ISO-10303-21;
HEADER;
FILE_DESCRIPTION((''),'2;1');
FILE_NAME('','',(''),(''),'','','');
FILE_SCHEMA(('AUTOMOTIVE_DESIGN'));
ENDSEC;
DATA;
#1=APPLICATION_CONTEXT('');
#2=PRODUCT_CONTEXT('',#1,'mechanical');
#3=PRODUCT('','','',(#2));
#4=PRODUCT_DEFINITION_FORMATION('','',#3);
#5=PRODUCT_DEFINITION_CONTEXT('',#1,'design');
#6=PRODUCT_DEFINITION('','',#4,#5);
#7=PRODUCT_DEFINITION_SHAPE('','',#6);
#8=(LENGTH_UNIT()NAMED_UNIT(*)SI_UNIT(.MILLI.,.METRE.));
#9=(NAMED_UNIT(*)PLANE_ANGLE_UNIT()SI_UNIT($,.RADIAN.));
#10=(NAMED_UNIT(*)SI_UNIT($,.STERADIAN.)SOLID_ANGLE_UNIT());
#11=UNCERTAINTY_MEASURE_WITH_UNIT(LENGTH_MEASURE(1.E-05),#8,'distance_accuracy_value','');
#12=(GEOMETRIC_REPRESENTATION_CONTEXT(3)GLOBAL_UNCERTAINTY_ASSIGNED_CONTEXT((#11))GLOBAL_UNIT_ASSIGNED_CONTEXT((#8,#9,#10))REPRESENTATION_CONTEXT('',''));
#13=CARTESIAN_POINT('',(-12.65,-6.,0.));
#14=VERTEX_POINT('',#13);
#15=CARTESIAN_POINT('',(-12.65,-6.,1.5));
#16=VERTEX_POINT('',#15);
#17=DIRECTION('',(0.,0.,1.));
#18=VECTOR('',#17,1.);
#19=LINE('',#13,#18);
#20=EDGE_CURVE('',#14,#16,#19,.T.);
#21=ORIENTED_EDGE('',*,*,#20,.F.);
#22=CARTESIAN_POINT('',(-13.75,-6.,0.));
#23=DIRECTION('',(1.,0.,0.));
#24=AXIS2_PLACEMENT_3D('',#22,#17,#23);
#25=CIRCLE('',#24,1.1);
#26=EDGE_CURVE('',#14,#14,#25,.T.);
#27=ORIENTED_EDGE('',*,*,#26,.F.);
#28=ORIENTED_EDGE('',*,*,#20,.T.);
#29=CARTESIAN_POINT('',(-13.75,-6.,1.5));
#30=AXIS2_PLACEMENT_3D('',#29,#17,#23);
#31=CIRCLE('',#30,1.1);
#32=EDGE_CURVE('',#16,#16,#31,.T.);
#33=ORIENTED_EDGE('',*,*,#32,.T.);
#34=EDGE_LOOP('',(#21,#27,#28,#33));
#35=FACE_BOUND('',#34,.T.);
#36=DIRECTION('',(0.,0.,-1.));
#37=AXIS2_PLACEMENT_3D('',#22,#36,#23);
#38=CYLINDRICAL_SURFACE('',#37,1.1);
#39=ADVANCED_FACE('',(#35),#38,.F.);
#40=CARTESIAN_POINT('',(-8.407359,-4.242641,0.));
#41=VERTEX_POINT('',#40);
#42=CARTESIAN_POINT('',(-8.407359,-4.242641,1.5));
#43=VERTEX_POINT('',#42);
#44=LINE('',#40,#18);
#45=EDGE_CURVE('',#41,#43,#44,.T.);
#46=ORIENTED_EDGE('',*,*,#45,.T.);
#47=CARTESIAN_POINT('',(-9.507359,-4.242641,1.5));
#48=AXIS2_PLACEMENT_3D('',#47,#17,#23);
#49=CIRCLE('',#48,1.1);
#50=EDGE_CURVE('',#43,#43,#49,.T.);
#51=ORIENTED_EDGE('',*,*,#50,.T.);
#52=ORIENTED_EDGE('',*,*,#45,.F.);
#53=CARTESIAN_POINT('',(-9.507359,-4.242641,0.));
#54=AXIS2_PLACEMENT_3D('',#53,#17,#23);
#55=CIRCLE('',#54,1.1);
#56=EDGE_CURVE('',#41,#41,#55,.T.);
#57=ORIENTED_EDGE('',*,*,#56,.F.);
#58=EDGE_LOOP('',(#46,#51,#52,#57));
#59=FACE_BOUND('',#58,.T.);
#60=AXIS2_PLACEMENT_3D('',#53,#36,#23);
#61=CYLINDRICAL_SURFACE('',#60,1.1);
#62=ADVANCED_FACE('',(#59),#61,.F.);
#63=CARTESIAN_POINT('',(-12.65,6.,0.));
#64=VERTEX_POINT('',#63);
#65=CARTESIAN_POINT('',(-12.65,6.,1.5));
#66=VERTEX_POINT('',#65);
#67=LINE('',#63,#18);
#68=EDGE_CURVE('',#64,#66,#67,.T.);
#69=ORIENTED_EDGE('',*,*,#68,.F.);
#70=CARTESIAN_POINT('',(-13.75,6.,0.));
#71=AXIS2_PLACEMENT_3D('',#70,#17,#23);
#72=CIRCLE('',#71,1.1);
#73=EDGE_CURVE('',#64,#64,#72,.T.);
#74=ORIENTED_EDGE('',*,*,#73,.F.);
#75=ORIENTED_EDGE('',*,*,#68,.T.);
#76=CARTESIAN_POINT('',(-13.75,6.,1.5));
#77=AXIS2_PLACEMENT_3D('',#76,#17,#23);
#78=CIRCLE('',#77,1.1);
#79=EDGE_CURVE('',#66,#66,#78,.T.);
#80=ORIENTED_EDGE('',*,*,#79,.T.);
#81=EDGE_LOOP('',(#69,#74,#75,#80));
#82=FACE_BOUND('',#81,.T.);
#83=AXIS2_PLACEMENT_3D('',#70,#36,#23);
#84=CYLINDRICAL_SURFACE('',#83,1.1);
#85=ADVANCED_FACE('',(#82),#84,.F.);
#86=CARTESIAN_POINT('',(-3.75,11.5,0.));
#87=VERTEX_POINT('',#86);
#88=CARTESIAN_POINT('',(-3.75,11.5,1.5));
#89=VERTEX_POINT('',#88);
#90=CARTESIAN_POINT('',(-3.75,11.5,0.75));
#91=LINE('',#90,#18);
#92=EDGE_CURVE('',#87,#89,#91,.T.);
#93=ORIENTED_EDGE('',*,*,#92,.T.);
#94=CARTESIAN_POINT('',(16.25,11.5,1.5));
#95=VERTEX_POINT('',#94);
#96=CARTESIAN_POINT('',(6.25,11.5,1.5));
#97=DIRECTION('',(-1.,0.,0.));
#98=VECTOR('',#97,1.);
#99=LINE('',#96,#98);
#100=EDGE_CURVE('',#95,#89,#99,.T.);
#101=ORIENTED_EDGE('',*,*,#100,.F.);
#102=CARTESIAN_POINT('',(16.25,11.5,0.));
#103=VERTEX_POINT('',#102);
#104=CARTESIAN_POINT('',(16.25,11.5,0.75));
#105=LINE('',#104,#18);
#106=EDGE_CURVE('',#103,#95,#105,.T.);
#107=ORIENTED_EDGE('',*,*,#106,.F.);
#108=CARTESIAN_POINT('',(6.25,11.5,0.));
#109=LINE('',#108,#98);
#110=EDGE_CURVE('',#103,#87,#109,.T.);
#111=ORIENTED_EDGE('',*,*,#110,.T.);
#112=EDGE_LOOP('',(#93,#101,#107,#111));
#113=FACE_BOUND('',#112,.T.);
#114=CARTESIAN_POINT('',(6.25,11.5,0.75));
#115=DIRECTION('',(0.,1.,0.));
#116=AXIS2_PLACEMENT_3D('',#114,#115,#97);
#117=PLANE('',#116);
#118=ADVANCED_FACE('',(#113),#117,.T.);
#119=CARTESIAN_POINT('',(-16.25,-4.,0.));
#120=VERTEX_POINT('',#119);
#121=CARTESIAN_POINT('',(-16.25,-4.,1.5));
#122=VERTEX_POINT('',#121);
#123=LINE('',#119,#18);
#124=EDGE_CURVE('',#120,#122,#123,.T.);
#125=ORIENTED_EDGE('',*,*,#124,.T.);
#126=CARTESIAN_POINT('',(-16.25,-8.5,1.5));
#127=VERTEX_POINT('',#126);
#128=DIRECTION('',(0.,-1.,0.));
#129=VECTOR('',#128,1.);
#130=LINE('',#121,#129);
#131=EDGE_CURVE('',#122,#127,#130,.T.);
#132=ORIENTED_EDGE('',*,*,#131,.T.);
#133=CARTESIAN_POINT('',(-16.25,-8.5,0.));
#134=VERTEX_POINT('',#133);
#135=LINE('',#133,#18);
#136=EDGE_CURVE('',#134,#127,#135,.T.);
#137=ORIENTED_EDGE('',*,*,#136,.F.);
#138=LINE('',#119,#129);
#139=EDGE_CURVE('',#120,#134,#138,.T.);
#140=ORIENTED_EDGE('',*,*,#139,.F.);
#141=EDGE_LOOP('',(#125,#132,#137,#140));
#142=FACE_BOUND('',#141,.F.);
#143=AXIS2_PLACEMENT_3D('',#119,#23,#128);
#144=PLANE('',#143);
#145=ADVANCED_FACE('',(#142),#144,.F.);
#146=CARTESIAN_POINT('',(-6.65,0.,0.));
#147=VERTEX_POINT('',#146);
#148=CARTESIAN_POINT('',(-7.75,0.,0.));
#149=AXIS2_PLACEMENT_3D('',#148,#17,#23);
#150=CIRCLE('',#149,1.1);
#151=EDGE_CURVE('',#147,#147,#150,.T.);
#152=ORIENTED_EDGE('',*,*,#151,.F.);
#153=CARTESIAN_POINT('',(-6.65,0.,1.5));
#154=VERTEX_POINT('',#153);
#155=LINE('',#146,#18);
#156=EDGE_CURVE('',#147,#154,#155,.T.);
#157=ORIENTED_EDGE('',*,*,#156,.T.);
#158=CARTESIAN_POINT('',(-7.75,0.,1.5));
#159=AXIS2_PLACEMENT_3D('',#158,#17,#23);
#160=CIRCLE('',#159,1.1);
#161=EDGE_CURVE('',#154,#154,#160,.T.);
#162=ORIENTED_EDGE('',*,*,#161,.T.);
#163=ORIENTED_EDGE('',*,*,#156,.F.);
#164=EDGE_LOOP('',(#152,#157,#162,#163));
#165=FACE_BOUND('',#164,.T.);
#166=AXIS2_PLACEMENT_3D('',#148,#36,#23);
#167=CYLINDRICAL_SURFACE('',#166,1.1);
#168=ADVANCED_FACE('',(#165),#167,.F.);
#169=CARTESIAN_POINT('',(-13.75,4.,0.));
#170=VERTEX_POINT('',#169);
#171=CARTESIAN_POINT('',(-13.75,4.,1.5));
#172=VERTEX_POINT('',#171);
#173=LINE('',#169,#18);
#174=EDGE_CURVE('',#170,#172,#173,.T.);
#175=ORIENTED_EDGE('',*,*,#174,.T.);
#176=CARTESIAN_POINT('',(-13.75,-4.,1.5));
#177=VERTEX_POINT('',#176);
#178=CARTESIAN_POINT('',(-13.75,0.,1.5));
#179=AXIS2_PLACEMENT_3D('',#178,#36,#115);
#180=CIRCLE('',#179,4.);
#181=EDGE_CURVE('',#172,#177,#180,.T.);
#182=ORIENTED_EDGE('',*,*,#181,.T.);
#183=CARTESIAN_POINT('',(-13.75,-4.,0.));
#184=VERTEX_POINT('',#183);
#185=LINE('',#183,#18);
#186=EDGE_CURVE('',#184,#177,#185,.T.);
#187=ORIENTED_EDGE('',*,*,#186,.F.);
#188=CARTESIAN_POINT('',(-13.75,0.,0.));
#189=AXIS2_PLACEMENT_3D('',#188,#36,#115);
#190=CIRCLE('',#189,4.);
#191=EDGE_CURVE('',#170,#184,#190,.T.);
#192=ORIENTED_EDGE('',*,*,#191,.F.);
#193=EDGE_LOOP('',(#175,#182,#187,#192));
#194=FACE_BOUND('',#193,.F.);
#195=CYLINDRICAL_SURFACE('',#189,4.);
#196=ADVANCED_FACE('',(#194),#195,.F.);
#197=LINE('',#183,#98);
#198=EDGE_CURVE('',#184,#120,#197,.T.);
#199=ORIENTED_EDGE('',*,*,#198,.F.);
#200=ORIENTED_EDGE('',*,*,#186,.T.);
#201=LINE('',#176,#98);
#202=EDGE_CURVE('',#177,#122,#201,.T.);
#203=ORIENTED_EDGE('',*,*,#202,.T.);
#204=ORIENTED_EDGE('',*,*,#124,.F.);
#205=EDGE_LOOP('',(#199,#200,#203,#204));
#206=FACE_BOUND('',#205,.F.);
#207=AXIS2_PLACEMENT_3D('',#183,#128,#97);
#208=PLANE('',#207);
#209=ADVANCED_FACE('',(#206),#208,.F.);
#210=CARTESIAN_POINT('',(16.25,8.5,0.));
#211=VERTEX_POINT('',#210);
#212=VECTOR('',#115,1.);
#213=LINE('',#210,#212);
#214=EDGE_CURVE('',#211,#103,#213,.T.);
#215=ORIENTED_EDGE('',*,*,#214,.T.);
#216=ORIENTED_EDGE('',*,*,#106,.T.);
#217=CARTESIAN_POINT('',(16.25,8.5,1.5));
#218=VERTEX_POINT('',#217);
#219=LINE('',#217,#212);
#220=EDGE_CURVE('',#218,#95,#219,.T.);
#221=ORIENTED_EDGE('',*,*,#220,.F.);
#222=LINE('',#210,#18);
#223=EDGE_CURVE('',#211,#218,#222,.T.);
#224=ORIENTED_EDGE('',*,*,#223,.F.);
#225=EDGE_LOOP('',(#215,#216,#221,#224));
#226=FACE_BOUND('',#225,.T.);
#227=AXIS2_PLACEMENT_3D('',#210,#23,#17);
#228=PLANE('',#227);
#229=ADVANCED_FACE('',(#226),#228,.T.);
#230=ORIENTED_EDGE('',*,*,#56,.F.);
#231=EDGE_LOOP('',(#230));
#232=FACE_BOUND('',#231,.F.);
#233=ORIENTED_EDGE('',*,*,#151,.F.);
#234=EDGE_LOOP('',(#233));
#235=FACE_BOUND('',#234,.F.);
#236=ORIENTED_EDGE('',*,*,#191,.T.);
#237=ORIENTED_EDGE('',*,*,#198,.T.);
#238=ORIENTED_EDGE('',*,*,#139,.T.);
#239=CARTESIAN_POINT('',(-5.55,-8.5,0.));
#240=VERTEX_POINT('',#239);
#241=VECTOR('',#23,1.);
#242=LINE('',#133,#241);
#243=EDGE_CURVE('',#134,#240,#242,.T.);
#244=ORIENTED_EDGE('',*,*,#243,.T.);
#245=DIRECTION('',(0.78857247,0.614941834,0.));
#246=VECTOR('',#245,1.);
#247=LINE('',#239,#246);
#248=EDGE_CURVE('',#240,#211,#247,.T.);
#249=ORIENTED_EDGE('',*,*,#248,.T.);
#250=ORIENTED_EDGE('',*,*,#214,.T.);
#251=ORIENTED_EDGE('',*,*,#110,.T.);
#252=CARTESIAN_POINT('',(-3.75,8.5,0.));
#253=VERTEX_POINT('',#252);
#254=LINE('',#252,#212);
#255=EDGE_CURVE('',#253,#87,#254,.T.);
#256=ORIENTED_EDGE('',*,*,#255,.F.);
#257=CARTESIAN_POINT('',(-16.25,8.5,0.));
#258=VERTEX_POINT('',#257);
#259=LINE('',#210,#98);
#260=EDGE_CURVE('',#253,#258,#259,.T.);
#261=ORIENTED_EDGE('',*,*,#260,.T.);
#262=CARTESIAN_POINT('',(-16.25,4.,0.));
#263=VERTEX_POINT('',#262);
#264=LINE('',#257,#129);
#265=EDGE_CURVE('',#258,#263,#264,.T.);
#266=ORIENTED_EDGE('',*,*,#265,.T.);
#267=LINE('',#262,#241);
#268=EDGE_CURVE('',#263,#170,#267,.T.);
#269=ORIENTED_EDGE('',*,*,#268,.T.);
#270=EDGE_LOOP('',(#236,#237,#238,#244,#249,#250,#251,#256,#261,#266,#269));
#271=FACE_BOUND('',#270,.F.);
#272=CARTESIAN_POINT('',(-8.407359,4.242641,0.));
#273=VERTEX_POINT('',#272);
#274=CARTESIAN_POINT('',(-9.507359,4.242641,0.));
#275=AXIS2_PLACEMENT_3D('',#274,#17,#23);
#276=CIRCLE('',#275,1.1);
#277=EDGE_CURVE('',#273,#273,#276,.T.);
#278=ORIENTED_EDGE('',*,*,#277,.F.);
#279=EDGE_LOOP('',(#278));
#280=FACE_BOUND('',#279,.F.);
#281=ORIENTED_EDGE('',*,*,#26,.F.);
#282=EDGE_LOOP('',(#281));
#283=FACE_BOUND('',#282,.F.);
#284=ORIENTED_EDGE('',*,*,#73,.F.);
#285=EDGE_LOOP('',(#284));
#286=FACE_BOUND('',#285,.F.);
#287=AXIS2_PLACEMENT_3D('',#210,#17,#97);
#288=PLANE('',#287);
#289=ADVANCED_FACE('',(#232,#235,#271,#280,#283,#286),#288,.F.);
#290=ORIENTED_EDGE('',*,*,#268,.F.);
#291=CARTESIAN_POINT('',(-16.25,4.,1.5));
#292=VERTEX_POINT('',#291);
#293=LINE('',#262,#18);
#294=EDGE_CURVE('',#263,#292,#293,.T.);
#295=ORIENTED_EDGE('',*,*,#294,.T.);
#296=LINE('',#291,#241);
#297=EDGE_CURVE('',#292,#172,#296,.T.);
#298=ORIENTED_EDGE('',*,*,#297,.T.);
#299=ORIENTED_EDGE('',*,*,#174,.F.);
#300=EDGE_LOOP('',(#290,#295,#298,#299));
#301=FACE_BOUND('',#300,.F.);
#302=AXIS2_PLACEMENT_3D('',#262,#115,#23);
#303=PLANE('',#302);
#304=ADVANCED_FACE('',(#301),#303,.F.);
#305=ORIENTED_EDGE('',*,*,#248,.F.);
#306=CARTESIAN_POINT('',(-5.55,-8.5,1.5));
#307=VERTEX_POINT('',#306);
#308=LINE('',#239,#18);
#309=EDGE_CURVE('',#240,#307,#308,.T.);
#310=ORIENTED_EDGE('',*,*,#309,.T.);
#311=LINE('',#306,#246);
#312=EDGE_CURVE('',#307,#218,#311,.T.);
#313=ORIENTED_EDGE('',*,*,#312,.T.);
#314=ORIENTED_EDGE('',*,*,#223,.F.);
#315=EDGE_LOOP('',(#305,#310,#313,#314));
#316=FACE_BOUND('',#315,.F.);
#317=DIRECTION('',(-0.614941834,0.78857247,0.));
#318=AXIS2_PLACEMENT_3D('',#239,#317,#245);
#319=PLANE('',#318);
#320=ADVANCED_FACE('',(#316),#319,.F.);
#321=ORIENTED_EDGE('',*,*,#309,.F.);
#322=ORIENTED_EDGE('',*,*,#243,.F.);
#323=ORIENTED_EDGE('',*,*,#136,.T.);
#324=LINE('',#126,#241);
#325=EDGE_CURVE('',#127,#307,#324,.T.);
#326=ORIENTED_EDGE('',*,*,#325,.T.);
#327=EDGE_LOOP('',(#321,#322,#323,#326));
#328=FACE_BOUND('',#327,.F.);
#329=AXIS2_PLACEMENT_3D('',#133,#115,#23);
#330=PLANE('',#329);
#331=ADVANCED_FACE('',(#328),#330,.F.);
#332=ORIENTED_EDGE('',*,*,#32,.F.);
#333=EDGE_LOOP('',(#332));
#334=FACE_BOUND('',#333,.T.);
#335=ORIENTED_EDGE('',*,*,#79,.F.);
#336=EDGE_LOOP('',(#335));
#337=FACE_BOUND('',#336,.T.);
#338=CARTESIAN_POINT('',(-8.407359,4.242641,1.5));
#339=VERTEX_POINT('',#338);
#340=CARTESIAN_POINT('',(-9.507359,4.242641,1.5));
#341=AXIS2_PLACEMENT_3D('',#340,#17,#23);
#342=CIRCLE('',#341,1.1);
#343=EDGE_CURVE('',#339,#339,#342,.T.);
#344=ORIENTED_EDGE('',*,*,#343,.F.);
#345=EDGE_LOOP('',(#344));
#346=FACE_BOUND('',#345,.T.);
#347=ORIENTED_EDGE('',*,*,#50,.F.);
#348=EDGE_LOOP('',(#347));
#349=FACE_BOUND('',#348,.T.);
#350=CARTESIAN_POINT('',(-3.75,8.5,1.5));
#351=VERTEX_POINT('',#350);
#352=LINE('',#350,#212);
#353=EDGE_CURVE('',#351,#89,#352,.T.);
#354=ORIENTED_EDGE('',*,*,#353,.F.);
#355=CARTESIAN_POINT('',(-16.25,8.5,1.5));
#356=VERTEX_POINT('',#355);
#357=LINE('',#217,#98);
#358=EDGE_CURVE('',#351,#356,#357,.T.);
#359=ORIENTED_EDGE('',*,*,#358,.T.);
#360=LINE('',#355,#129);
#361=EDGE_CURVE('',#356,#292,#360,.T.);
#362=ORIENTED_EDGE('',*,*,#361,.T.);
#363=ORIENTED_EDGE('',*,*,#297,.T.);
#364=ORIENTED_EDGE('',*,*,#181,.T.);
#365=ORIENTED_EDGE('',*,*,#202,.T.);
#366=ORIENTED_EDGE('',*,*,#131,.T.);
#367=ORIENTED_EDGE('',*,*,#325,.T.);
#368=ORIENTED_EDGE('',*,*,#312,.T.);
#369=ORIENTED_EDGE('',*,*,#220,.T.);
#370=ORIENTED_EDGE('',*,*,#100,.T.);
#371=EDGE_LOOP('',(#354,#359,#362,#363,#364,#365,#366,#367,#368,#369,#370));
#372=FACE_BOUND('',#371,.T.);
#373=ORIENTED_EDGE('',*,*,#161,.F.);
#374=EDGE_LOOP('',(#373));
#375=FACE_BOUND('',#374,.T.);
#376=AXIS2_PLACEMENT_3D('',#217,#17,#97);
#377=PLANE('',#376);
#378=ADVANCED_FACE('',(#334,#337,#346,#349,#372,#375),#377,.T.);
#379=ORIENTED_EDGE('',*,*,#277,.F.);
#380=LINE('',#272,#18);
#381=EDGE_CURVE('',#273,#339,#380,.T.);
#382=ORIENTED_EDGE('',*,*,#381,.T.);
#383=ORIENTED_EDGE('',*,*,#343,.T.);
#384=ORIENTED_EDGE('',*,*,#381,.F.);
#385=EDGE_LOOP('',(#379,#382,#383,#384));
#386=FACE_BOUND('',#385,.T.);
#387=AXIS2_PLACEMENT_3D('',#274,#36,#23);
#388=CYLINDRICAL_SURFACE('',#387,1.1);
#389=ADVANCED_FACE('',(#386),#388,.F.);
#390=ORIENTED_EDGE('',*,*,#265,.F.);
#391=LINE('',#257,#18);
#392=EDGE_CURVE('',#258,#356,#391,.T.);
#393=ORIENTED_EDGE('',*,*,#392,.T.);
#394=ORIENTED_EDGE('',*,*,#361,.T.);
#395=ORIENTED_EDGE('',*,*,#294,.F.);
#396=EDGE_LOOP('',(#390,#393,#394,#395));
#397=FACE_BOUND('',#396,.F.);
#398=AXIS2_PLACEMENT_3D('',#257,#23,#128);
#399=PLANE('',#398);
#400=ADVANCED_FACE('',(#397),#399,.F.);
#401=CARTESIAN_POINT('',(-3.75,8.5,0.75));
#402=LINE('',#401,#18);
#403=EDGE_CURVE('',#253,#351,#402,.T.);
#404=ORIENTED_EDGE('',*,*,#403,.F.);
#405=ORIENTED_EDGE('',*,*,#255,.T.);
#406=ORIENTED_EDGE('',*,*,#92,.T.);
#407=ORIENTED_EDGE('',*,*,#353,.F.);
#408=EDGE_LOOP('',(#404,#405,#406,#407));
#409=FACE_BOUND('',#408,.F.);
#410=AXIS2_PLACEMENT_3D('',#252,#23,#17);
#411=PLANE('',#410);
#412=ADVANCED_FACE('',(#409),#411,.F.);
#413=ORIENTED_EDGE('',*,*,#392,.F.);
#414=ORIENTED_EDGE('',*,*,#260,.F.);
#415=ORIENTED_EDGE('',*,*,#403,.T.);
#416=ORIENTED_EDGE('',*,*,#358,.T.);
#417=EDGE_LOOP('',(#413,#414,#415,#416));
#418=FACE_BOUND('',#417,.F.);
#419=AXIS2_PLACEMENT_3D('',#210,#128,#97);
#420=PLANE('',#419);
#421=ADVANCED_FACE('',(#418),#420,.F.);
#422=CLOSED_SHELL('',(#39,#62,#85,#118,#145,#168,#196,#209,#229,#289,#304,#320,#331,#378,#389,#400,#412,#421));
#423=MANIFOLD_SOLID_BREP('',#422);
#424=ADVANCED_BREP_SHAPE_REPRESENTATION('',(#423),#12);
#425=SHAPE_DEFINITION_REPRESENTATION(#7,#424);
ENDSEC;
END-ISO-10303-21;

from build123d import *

# Parameters (mm, degrees)
F0_R     = 1.1
F1_DEPTH = 1.5
F2_W     = 20
F2_H     = 1.5
F3_DEPTH = 3


with BuildPart() as f1:
    # F0 (on Top) → F1 (new body)
    with BuildSketch(Plane.XY):
        with BuildLine():
            Line((-5.55, -8.5), (16.25, 8.5))
            Line((16.25, 8.5), (-16.25, 8.5))
            Line((-16.25, 8.5), (-16.25, 4))
            Line((-16.25, 4), (-13.75, 4))
            ThreePointArc((-13.75, 4), (-9.75, 0), (-13.75, -4))
            Line((-13.75, -4), (-16.25, -4))
            Line((-16.25, -4), (-16.25, -8.5))
            Line((-16.25, -8.5), (-5.55, -8.5))
        make_face()
        with Locations((-13.75, -6)):
            Circle(F0_R, mode=Mode.SUBTRACT)
        with Locations((-9.507359, -4.242641)):
            Circle(F0_R, mode=Mode.SUBTRACT)
        with Locations((-9.507359, 4.242641)):
            Circle(F0_R, mode=Mode.SUBTRACT)
        with Locations((-7.75, 0)):
            Circle(F0_R, mode=Mode.SUBTRACT)
        with Locations((-13.75, 6)):
            Circle(F0_R, mode=Mode.SUBTRACT)
    extrude(amount=F1_DEPTH)

    # F2 (on face) → F3 (join)
    with BuildSketch(Plane(origin=(0, 8.5, 0), x_dir=(-1, 0, 0), z_dir=(0, 1, 0))):
        with Locations((-6.25, 0.75)):
            Rectangle(F2_W, F2_H)
    extrude(amount=F3_DEPTH)


solid = f1.part
